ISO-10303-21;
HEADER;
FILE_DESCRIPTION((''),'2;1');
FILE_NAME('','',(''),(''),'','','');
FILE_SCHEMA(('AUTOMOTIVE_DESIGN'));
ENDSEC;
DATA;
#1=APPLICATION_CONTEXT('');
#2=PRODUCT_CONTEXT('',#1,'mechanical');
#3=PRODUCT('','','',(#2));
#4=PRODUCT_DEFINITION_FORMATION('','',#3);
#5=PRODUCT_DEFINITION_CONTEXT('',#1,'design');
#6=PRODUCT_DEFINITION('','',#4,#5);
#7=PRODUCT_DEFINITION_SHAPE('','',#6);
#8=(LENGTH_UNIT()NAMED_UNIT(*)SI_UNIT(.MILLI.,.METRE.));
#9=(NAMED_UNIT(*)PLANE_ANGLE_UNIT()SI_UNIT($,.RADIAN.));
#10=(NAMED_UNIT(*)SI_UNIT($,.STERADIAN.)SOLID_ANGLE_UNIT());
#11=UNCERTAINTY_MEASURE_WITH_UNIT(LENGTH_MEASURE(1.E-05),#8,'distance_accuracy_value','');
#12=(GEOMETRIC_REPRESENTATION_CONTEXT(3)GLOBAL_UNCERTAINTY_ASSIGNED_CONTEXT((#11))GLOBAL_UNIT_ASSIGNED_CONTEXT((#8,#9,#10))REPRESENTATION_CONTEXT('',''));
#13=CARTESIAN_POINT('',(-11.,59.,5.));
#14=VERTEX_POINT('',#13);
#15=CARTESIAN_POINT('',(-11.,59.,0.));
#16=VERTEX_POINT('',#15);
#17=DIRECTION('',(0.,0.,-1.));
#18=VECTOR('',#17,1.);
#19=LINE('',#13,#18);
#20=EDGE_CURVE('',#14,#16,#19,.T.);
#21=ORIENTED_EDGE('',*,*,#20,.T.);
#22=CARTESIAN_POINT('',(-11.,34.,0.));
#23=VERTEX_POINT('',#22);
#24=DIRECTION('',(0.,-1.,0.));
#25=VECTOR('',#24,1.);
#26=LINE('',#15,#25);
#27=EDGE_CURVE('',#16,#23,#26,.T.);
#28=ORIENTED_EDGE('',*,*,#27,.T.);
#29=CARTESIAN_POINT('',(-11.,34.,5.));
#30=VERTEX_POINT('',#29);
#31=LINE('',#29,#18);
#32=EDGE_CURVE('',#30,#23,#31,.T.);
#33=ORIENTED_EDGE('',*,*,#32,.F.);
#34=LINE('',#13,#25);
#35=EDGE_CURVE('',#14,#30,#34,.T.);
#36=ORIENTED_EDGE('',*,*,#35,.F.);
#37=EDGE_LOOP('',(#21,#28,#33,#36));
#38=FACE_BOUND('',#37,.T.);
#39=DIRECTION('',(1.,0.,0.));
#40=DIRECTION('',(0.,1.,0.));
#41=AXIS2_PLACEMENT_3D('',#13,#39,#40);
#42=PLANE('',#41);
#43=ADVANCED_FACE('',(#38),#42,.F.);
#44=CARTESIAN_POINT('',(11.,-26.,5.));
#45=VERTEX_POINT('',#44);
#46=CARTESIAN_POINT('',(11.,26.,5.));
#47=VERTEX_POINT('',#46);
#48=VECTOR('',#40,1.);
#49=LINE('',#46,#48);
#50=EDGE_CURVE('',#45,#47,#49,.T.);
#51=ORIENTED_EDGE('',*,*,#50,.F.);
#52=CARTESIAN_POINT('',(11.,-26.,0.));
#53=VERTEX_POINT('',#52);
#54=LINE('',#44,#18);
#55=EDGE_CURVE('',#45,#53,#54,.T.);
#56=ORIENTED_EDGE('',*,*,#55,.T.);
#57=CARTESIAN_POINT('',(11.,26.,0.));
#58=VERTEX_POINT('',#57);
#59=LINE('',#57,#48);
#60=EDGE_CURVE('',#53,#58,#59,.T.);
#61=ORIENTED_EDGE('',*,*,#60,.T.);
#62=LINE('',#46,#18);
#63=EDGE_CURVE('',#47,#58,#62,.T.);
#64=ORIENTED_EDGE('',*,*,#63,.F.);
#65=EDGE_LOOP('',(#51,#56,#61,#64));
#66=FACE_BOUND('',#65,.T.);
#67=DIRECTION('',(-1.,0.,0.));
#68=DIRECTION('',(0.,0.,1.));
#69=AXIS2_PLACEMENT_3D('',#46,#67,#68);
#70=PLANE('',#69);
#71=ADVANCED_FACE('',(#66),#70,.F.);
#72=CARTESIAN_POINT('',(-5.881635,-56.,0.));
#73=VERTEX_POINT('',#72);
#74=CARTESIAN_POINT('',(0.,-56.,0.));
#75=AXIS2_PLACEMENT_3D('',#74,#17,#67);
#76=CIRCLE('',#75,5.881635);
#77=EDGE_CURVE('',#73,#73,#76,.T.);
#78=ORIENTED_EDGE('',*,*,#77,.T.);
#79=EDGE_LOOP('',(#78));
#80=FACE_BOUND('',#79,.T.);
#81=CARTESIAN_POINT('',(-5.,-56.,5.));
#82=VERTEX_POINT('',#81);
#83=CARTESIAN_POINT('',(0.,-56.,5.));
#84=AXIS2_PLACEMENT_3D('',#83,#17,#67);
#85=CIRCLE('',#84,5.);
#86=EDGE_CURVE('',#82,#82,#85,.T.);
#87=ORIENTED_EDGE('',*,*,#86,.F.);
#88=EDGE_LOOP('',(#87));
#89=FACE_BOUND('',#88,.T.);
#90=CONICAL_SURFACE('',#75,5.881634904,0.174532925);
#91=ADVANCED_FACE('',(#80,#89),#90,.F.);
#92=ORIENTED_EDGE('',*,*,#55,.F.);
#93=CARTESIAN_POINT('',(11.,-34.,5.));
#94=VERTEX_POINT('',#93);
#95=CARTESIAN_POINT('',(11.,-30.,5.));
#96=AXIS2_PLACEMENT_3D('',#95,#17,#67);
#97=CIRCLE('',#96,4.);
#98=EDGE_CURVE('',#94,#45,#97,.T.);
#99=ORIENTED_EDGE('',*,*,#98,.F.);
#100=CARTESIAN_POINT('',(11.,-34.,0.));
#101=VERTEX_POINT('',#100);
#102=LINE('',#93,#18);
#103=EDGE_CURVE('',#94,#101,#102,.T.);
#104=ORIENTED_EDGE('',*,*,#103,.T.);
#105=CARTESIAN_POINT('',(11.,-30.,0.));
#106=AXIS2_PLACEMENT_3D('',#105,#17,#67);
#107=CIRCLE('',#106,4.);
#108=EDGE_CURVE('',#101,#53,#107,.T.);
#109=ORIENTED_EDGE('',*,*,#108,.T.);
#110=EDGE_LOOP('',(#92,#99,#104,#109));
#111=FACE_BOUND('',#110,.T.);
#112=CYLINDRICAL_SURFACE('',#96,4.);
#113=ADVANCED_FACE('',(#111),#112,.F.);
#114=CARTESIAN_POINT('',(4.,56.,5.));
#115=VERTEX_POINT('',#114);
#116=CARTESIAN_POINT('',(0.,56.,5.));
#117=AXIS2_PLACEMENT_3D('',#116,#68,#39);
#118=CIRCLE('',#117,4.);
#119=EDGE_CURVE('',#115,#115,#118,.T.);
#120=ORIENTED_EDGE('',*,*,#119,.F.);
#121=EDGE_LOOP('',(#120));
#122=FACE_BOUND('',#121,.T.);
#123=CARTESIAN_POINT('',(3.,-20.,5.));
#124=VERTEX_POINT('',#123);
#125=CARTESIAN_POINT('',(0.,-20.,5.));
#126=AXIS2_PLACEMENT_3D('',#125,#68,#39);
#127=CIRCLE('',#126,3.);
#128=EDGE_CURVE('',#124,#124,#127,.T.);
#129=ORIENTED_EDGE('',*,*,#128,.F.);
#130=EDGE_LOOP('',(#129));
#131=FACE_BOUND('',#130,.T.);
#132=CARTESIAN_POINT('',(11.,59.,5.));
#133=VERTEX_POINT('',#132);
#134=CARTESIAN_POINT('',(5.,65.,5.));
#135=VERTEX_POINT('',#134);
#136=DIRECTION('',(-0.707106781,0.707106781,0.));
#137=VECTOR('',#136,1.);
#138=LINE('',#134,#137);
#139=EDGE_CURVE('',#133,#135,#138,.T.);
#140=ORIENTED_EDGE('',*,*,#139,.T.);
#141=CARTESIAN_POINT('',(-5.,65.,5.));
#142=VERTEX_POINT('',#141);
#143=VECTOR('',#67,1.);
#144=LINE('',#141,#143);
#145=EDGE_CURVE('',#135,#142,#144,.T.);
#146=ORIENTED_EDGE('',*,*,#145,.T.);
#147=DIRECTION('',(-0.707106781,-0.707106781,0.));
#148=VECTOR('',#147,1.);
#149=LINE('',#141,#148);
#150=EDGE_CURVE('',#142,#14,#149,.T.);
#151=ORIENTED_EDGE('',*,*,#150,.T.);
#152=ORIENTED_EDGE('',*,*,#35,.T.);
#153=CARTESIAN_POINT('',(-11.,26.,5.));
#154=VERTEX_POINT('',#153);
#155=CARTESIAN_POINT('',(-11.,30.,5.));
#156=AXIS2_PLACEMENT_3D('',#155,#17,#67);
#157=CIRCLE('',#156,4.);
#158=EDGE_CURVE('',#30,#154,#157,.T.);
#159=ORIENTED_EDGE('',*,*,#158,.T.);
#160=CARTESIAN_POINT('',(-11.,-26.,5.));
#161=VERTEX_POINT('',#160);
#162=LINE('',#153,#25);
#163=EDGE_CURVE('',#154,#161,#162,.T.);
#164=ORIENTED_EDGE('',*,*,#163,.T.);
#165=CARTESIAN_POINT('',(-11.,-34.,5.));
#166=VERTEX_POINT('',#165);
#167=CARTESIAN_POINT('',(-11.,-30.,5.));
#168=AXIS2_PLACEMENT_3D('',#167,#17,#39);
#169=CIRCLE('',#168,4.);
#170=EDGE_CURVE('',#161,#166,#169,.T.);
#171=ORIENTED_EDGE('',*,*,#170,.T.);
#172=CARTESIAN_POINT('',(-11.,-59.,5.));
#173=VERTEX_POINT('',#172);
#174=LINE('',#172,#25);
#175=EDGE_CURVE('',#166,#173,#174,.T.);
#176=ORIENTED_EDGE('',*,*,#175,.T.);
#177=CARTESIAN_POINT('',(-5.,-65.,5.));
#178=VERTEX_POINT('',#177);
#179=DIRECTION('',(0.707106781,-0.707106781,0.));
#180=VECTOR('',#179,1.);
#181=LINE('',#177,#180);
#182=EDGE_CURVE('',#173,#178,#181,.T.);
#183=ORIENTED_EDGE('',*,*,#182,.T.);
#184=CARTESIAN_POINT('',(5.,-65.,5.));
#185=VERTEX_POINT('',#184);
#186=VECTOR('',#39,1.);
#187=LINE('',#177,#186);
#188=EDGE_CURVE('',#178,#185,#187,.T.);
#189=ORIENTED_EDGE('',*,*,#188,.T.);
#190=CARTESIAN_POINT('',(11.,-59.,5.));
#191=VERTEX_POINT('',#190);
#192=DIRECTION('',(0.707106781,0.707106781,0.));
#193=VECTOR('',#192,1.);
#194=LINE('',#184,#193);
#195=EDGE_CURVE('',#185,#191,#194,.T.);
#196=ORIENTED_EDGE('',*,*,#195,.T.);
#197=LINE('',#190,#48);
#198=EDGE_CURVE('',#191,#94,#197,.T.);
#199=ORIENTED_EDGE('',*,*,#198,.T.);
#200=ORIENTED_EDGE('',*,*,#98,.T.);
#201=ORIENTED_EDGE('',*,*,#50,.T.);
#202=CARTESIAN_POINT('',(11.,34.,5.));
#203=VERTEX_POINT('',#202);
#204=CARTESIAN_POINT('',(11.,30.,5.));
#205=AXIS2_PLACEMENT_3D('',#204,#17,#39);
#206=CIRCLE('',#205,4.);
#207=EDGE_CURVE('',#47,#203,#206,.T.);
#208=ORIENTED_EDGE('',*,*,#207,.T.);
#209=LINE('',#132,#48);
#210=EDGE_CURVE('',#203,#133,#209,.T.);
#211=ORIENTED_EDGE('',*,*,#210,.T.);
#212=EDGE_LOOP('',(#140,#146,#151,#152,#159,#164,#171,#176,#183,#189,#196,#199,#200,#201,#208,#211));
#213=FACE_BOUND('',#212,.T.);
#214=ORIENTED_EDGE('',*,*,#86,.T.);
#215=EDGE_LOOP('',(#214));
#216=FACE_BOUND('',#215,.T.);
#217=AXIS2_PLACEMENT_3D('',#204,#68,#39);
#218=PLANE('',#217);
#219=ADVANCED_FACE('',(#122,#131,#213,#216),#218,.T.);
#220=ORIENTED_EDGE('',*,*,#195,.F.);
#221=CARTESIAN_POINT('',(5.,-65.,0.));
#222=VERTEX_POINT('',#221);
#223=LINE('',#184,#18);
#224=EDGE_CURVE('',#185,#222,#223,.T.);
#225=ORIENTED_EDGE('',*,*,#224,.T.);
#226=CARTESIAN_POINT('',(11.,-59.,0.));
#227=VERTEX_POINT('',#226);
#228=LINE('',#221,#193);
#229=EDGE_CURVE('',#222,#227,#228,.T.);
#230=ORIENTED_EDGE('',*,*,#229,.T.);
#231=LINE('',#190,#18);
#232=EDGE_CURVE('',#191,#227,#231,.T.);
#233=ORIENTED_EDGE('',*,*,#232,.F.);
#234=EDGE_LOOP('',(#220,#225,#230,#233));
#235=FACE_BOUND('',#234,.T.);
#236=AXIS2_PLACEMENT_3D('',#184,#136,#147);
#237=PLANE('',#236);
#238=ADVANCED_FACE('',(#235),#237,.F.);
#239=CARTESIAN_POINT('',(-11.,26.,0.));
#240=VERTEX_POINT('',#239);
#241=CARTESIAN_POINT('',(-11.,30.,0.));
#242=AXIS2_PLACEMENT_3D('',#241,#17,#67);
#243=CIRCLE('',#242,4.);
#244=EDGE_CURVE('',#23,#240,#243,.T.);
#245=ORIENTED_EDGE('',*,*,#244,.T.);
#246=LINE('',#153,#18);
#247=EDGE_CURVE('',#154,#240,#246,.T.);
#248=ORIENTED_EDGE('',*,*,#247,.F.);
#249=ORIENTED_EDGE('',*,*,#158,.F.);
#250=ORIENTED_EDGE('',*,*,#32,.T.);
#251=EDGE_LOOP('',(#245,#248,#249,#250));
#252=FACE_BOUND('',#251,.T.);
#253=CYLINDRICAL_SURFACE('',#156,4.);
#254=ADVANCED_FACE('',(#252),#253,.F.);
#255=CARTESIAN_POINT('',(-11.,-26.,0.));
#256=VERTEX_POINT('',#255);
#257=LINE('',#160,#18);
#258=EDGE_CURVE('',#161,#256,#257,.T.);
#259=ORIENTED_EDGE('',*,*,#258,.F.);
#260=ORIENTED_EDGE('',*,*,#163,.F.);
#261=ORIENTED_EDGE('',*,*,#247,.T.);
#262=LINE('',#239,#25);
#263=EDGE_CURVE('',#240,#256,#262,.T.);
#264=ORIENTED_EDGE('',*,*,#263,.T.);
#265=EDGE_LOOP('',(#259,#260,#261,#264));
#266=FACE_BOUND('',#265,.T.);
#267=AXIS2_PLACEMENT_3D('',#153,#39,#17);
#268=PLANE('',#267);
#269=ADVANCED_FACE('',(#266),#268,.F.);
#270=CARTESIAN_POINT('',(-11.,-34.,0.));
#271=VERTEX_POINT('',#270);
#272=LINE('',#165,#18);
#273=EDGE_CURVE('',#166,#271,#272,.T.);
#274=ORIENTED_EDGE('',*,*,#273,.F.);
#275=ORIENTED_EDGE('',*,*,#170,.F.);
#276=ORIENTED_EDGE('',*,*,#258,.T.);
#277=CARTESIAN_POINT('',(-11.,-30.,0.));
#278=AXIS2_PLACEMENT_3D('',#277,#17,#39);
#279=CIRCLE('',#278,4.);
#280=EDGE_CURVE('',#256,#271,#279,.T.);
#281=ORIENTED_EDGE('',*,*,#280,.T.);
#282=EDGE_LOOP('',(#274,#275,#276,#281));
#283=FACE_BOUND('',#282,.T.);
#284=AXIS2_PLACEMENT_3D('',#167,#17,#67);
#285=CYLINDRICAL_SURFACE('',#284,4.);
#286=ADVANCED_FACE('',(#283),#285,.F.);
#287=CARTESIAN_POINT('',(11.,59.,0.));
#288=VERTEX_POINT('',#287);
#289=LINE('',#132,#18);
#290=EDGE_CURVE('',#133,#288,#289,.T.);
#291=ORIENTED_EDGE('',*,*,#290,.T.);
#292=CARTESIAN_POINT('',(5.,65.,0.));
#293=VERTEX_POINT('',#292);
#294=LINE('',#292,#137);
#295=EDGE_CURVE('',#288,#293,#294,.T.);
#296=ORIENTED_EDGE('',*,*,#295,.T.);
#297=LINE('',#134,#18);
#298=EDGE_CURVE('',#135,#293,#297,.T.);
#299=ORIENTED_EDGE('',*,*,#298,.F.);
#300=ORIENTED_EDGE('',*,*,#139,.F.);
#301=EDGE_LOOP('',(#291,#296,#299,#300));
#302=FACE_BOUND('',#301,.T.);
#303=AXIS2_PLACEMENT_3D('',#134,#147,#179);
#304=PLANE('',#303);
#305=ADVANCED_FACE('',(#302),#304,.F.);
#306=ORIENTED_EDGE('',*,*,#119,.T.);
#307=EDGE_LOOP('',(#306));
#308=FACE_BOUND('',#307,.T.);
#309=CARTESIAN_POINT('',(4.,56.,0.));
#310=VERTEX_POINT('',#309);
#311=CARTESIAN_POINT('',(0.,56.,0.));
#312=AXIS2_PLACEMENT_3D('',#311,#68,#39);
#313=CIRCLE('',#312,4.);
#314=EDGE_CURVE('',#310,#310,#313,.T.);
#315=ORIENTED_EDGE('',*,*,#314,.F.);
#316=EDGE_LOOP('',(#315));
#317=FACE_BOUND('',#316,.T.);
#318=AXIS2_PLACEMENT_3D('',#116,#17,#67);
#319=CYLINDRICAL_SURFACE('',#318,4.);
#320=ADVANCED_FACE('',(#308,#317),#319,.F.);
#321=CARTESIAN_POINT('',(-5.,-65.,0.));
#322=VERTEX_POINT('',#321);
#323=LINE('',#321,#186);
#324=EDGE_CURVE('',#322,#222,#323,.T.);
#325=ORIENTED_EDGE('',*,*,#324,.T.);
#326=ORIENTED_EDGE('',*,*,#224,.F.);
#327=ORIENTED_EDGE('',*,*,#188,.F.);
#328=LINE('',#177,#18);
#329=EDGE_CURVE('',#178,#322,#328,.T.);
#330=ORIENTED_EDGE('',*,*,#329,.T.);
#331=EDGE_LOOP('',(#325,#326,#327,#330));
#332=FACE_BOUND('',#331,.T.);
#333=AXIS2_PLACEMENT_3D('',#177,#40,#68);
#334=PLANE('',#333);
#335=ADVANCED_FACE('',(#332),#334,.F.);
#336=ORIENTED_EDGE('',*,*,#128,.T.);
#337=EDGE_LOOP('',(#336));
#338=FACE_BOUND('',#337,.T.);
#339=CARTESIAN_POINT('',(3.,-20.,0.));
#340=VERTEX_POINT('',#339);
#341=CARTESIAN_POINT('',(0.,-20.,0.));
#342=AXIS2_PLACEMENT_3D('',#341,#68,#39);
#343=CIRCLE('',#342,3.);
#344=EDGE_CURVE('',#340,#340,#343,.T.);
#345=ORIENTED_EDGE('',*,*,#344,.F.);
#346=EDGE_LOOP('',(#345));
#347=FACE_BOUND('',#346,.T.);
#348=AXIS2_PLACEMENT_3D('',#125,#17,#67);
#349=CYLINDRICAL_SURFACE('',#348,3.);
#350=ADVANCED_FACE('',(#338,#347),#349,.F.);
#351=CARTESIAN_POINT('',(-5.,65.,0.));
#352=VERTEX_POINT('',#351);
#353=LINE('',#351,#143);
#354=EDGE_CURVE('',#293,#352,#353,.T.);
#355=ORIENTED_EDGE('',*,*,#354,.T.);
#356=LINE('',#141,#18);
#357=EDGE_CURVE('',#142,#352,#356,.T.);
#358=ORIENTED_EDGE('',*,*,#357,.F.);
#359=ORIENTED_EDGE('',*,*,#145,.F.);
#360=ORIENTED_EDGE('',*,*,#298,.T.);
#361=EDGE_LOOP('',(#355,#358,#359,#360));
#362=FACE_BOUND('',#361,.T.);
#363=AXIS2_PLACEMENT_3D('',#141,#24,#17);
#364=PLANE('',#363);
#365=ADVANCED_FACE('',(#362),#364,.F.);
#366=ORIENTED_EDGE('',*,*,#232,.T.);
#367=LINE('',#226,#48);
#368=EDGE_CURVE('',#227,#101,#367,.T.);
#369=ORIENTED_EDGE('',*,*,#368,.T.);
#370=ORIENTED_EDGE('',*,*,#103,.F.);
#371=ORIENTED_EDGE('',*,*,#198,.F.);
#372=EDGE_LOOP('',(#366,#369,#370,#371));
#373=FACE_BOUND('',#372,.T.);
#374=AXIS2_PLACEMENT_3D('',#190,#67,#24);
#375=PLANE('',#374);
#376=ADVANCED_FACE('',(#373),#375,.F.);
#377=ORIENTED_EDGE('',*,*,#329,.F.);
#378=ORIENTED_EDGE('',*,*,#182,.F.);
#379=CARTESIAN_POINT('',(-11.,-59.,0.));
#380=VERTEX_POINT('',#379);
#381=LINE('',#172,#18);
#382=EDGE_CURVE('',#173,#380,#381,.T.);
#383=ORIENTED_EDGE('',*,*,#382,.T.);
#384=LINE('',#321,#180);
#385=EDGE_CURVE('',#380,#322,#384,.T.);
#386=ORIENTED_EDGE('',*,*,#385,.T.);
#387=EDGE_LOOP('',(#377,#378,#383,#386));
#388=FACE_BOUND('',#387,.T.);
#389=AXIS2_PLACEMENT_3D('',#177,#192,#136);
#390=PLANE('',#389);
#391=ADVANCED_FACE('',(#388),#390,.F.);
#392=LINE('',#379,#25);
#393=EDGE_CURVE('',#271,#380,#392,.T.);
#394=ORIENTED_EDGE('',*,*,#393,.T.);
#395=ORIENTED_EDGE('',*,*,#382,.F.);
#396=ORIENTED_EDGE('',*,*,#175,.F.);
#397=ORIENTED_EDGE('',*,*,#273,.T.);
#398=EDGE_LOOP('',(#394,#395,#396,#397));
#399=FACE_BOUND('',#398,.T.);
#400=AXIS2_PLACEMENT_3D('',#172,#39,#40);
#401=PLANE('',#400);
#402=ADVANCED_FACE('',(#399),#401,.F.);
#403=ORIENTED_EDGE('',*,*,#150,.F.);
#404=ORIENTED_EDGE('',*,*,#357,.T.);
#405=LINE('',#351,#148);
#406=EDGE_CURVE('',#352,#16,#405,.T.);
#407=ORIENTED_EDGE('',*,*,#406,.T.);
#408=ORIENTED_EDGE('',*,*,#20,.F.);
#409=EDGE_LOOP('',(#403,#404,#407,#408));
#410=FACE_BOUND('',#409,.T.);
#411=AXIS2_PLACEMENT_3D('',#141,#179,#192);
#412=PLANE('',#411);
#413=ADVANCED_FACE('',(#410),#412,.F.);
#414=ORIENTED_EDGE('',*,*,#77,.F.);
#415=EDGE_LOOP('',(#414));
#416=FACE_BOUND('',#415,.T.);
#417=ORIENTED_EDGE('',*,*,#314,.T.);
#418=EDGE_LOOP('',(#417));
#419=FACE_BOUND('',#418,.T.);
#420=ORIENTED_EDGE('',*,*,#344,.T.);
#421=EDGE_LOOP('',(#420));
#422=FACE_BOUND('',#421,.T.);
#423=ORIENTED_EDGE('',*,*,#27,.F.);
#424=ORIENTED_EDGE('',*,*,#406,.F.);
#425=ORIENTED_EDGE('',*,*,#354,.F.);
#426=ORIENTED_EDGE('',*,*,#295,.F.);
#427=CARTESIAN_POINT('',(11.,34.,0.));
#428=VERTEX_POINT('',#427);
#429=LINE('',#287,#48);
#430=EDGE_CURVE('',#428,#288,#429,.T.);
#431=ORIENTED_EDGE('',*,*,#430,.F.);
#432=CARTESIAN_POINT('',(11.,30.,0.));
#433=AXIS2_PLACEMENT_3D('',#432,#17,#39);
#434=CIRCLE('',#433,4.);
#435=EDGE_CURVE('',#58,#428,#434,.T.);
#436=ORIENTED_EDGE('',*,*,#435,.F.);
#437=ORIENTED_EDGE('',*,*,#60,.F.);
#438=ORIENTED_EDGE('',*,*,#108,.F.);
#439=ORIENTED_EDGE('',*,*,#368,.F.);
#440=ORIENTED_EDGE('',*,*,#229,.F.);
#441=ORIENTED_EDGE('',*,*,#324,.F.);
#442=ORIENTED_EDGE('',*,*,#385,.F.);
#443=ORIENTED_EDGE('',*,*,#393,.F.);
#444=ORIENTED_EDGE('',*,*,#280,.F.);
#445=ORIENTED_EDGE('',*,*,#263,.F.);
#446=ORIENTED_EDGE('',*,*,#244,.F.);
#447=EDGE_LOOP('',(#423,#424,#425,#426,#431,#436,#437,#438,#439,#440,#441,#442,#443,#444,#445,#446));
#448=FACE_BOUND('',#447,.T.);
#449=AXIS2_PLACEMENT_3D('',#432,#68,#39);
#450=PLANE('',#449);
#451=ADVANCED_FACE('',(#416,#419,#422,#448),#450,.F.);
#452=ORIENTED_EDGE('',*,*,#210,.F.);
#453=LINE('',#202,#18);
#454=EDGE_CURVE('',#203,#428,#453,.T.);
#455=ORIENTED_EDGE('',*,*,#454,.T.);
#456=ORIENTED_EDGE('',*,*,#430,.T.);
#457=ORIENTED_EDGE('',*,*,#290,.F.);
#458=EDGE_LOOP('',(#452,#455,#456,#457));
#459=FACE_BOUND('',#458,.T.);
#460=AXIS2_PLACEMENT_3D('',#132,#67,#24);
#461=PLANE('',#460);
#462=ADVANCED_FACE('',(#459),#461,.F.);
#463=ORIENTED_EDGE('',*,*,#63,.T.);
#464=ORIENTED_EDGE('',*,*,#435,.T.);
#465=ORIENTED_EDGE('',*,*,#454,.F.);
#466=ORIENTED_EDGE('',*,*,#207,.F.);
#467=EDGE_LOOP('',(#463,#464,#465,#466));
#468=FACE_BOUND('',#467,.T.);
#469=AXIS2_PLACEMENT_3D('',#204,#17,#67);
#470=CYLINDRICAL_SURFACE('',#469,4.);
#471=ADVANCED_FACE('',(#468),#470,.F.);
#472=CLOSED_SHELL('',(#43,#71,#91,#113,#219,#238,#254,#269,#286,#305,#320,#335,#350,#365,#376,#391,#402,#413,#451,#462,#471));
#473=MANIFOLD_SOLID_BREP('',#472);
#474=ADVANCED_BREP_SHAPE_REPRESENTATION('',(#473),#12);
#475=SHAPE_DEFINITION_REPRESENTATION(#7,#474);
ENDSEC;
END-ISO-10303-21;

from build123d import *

# Parameters (mm, degrees)
ESQUISSE1_R      = 4
ESQUISSE1_R_2    = 3
EXTRUSION1_DEPTH = 5


with BuildPart() as part:
    # Esquisse1 → Extrusion1 (new body)
    with BuildSketch(Plane.XY):
        with BuildLine():
            Line((-5, 65), (5, 65))
            Line((5, 65), (11, 59))
            Line((11, 59), (11, 34))
            ThreePointArc((11, 34), (7, 30), (11, 26))
            Line((11, 26), (11, -26))
            ThreePointArc((11, -26), (7, -30), (11, -34))
            Line((11, -34), (11, -59))
            Line((11, -59), (5, -65))
            Line((5, -65), (-5, -65))
            Line((-5, -65), (-11, -59))
            Line((-11, -59), (-11, -34))
            ThreePointArc((-11, -34), (-7, -30), (-11, -26))
            Line((-11, -26), (-11, 26))
            ThreePointArc((-11, 26), (-7, 30), (-11, 34))
            Line((-11, 34), (-11, 59))
            Line((-11, 59), (-5, 65))
        make_face()
        with Locations((0, 56)):
            Circle(ESQUISSE1_R, mode=Mode.SUBTRACT)
        with Locations((0, -20)):
            Circle(ESQUISSE1_R_2, mode=Mode.SUBTRACT)
    extrude(amount=EXTRUSION1_DEPTH)

    # Esquisse2 → Enlèvement de matière-Révolution1 (revolve, cut)
    with BuildSketch(Plane(origin=(0, 0, 0), x_dir=(0, 0, -1), z_dir=(1, 0, 0)), mode=Mode.PRIVATE) as enl_vement_de_mati_re_r_volution1_sk:
        Polygon((-5, -51), (0, -50.118365096), (0, -52.065498843), (0, -56), (-5, -56), align=None)
    revolve(enl_vement_de_mati_re_r_volution1_sk.sketch.rotate(Axis((0, -56, -5.75818426), (0, 0, 1)), 90), axis=Axis((0, -56, -5.75818426), (0, 0, 1)), mode=Mode.SUBTRACT)


solid = part.part
